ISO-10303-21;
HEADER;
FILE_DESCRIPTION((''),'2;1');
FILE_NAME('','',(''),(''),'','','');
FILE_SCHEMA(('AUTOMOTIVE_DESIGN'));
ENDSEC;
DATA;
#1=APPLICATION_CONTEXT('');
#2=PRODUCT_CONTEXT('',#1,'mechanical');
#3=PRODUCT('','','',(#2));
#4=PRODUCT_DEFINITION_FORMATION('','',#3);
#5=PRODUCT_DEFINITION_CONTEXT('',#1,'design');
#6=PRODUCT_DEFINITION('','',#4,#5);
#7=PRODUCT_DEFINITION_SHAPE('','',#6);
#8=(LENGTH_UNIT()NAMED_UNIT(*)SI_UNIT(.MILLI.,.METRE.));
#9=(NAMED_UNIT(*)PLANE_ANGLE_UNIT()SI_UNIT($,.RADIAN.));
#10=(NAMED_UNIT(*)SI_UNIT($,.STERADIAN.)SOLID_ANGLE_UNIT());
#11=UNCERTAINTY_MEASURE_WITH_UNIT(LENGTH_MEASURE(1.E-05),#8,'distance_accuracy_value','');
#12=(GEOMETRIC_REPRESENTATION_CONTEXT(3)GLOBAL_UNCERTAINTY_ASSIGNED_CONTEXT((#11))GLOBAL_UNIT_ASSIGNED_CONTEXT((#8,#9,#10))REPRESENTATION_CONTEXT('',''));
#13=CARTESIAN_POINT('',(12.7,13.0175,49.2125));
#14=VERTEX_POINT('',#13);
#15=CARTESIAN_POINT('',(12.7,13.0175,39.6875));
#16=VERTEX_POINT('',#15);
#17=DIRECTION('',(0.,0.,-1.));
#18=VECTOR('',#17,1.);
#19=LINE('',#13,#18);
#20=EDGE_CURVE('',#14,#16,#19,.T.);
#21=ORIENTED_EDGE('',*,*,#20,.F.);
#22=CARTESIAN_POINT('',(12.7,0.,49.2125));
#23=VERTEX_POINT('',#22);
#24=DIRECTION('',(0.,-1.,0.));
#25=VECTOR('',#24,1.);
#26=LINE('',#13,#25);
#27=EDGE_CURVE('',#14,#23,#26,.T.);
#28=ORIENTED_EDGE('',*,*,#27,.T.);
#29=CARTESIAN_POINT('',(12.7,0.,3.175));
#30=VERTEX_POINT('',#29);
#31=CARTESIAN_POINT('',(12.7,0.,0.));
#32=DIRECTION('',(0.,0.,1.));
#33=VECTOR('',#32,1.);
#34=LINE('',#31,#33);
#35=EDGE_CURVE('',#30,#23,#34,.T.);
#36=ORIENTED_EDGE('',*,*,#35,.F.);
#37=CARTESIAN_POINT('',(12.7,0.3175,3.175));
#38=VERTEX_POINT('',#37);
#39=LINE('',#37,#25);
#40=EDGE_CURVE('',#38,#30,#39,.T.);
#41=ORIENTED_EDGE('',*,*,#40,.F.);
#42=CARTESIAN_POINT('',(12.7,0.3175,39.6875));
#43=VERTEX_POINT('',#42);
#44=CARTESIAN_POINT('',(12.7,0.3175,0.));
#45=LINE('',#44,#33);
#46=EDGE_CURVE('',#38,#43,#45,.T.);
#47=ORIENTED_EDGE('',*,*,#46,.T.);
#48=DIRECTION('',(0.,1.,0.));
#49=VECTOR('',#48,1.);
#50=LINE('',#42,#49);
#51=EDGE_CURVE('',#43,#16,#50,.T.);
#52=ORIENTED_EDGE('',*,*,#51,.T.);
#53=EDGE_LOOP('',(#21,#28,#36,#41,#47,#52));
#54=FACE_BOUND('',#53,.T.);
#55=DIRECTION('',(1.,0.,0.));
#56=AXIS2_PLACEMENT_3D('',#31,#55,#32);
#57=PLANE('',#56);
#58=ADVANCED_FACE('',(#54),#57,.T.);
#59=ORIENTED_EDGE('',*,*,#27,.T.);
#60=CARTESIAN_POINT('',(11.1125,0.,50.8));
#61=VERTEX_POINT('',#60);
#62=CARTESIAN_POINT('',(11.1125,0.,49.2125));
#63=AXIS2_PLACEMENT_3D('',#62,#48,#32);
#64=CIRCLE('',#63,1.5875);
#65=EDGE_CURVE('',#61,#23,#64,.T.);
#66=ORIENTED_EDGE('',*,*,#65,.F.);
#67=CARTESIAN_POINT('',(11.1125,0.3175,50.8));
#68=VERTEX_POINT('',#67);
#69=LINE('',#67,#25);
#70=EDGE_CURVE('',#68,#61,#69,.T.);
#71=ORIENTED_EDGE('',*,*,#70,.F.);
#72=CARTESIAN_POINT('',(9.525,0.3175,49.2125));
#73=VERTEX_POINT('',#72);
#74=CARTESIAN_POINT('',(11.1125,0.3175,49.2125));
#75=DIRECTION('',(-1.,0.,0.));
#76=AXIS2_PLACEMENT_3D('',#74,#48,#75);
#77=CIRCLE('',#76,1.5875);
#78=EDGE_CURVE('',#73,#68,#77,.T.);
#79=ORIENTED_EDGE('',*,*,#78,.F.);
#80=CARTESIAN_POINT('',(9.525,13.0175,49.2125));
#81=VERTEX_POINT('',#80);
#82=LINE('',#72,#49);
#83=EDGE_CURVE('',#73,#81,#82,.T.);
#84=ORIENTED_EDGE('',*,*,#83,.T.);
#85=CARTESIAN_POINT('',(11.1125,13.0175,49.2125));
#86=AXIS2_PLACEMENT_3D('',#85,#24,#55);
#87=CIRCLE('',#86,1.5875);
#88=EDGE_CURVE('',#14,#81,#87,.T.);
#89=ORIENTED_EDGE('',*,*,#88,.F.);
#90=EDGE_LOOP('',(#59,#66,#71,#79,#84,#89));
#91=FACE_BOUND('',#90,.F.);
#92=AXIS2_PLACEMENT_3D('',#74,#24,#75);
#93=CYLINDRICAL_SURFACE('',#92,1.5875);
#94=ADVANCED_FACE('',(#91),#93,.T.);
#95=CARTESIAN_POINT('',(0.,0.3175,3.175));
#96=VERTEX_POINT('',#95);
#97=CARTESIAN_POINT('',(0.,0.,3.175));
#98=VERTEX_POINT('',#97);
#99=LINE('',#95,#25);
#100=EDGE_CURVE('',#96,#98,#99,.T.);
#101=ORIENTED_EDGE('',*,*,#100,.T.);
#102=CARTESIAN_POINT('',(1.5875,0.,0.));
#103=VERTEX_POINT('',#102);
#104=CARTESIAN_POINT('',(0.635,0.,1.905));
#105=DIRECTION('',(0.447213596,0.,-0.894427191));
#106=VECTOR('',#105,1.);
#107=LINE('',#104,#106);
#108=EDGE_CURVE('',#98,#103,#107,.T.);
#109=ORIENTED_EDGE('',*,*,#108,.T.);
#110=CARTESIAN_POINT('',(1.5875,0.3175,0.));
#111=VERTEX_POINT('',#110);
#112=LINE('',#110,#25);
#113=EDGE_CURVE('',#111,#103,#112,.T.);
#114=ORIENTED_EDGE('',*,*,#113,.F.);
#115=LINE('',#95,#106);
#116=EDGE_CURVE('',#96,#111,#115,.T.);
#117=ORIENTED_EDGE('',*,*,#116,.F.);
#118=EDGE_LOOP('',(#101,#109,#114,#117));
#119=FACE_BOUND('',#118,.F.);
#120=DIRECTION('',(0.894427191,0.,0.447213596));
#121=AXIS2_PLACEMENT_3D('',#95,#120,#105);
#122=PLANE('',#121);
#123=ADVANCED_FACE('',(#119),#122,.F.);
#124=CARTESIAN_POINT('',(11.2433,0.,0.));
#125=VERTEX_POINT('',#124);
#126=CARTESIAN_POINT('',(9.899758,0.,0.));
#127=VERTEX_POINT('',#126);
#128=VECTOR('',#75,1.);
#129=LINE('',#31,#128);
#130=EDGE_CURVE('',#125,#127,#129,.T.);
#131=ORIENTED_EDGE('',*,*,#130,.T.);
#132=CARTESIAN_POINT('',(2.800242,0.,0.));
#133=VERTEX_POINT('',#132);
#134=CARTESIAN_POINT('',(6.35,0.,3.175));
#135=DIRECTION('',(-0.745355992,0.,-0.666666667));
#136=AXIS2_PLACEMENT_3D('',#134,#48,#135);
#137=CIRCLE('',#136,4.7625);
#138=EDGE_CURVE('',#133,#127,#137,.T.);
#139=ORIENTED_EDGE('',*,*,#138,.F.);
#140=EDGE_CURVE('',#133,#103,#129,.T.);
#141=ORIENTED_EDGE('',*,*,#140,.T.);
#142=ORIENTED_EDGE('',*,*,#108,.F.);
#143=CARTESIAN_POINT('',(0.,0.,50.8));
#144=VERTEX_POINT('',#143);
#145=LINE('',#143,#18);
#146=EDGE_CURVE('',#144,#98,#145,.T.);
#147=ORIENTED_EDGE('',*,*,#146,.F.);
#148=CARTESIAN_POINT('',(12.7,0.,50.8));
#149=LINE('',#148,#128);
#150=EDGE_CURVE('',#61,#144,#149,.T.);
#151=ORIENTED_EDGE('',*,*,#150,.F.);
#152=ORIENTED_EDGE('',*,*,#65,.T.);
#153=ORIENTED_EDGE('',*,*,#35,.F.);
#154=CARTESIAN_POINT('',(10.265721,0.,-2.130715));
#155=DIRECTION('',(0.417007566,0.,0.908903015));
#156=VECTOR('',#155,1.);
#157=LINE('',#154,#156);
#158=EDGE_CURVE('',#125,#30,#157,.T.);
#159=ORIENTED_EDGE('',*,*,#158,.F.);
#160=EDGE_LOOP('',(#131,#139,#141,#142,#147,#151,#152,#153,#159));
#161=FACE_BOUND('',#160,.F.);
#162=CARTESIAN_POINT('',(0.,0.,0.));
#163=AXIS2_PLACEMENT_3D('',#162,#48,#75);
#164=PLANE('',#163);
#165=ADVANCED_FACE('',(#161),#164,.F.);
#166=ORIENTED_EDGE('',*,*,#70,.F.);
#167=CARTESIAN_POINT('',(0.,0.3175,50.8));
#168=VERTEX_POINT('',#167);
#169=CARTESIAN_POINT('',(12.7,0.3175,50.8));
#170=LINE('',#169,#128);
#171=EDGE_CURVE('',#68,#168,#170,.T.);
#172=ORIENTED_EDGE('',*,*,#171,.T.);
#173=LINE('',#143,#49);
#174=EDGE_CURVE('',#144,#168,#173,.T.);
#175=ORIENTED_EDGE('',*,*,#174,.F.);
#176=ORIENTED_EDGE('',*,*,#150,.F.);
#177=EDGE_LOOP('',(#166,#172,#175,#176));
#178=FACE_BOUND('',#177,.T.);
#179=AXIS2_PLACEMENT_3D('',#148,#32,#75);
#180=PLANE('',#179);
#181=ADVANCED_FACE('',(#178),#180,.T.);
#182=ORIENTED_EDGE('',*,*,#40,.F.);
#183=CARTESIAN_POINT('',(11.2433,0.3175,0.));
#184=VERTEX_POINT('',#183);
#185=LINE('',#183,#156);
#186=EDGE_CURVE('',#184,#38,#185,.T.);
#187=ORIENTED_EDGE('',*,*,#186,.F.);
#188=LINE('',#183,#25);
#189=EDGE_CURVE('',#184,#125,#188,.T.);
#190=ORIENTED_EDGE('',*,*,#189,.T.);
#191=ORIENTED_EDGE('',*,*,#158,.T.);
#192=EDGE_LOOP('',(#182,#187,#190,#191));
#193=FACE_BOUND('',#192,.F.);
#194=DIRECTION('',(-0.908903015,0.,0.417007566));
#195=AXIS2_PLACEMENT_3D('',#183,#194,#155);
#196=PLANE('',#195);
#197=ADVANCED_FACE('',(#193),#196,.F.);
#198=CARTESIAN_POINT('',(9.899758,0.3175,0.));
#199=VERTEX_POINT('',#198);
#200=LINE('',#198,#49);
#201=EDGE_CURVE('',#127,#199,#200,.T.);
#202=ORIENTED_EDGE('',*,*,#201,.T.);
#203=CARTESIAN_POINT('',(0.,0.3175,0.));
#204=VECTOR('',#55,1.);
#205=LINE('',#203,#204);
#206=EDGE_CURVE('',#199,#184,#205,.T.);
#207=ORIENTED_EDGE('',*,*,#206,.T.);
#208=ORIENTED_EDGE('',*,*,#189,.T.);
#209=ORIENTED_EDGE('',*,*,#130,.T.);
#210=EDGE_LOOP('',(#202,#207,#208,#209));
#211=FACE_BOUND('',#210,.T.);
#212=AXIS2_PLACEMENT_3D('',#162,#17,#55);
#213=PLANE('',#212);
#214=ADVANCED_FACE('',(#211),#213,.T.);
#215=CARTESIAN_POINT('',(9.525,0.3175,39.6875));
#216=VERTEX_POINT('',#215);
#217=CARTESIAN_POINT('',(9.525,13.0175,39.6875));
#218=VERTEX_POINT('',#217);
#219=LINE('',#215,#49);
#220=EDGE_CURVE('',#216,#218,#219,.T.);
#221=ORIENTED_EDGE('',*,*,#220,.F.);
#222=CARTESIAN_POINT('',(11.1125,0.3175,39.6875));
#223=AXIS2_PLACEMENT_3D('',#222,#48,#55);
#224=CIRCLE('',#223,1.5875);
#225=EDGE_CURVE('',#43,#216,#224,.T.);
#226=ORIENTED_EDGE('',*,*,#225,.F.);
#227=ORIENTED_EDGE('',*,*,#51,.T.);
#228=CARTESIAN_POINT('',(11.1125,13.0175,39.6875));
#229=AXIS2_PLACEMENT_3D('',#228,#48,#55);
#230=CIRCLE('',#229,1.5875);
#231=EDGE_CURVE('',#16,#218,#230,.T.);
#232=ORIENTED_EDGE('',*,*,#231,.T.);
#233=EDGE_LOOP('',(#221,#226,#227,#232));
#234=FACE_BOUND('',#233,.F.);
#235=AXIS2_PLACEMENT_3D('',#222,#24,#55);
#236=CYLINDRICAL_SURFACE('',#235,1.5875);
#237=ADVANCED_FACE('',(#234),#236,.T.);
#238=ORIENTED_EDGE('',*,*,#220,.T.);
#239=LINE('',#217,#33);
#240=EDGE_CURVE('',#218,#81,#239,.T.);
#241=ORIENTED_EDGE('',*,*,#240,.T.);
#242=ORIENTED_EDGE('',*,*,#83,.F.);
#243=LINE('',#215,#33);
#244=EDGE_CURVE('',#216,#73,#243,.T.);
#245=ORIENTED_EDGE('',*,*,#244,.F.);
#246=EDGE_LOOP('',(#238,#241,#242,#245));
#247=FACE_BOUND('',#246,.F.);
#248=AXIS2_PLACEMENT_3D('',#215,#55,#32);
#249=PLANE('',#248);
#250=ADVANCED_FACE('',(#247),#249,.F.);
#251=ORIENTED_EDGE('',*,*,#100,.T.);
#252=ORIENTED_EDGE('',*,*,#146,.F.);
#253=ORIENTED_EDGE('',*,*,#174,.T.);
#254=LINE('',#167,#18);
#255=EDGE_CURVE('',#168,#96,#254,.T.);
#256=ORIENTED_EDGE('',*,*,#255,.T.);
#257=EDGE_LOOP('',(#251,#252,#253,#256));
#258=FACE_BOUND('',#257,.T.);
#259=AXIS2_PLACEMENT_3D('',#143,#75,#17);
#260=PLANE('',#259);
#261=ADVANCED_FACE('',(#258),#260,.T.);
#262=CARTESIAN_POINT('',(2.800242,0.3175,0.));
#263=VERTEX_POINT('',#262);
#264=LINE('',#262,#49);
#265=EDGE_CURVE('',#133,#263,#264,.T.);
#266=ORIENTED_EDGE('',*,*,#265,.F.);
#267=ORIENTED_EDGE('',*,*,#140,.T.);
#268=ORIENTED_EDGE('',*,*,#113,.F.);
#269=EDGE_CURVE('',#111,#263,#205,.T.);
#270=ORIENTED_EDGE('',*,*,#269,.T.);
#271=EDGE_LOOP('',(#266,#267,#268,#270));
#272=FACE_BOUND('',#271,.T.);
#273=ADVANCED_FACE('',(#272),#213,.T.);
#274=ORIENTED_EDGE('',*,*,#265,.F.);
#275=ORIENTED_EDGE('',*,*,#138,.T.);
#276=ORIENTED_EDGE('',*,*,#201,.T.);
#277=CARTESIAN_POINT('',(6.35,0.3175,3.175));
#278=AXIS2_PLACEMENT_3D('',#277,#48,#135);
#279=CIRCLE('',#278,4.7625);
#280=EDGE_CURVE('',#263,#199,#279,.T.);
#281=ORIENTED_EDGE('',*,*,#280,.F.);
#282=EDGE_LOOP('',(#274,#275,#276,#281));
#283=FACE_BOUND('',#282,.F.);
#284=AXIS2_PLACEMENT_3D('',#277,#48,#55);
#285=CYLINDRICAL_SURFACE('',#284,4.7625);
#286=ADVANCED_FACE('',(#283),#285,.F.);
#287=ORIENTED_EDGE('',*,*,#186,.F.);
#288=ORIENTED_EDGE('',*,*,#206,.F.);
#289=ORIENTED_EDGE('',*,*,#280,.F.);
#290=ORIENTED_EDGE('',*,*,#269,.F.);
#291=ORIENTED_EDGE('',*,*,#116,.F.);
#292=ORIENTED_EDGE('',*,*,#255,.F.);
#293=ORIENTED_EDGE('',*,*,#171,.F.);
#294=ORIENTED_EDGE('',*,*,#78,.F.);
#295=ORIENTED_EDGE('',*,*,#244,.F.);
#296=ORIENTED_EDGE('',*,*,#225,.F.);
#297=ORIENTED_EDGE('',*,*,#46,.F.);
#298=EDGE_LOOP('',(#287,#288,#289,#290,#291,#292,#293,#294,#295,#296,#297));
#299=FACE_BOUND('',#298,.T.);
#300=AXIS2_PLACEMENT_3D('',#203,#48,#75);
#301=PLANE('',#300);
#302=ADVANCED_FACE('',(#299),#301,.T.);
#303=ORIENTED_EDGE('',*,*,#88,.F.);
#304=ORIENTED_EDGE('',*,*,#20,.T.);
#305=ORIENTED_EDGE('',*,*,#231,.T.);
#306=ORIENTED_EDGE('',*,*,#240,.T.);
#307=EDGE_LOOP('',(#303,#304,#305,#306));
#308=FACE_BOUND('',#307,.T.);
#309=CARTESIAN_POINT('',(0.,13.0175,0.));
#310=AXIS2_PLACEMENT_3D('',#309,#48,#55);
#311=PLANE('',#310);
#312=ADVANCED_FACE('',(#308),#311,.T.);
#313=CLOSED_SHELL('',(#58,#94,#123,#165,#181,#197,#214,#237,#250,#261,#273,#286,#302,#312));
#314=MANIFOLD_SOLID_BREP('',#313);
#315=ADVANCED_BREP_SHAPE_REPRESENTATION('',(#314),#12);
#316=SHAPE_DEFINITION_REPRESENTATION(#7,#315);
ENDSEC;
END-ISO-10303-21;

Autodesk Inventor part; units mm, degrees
ref_plane "YZ Plane" through (0, 0, 0) normal (1, 0, 0) x (0, 1, 0)
ref_plane "XZ Plane" through (0, 0, 0) normal (0, 1, 0) x (-1, 0, 0)
ref_plane "XY Plane" through (0, 0, 0) normal (0, 0, 1) x (1, 0, 0)
sketch "Sketch1" plane through (0, 0, 0) normal (0, 1, 0) x (-1, 0, 0)
  line L0 (0, 0) -> (-12.7, 0)
  line L1 (-12.7, 0) -> (-12.7, 50.8)
  line L2 (-12.7, 50.8) -> (0, 50.8)
  line L3 (0, 50.8) -> (0, 0)
  circle A0 centre (-6.35, 3.175) radius 4.7625
  point P0 (-1.5875, 0)
  point P1 (-11.1125, 0)
  dimension "d1" = 12.7
  dimension "d4" = 50.8
  dimension "d11" = 9.525
  dimension "d12" = 3.175
  dimension "d13" = 6.35
extrude "Extrusion1" add sketch "Sketch1" along normal blind 0.3175 contours L0 A0 L1 L2 L3 | L0 A0 picked at (-5.1617, 2.7426)
sketch "Sketch2" plane through (0, 0.3175, 0) normal (0, 1, 0) x (1, 0, 0)
  line L0 (11.1125, -49.2125) -> (11.1125, -39.6875) construction
  line L1 (12.7, -49.2125) -> (12.7, -39.6875)
  line L2 (9.525, -39.6875) -> (9.525, -49.2125)
  arc A0 (9.525, -49.2125) -> (12.7, -49.2125) centre (11.1125, -49.2125) ccw
  arc A1 (12.7, -39.6875) -> (9.525, -39.6875) centre (11.1125, -39.6875) ccw
  line L3 (0, -50.8) -> (12.7, -50.8) projected
  point P0 (0, 0)
  point P1 (11.1125, -44.45)
  dimension "d23" = 1.5875
  dimension "d24" = 1.5875
  dimension "d25" = 9.525
extrude "Extrusion2" add sketch "Sketch2" along normal blind 12.7
sketch "Sketch3" plane through (0, 0.3175, 0) normal (0, 1, 0) x (1, 0, 0)
  line L0 (12.7, -50.8) -> (0, -50.8) projected
  line L1 (12.7, 0) -> (12.7, -50.8) projected
  line L2 (11.1125, -50.8) -> (12.7, -50.8)
  line L3 (12.7, -50.8) -> (12.7, -49.2125)
  arc A0 (11.1125, -50.8) -> (12.7, -49.2125) centre (11.1125, -49.2125) ccw
  point P0 (0, 0)
extrude "Extrusion3" cut sketch "Sketch3" against normal blind 12.7
sketch "Sketch4" plane through (0, 0.3175, 0) normal (0, 1, 0) x (1, 0, 0)
  circle A0 centre (6.35, -3.175) radius 4.7625
  line L0 (12.7, -39.6875) -> (12.7, 0) projected
  line L1 (12.7, 0) -> (0, 0) projected
  dimension "d14" = 9.525
  dimension "d15" = 6.35
  dimension "d16" = 3.175
extrude "Extrusion4" cut sketch "Sketch4" against normal blind 12.7
sketch "Sketch5" plane through (0, 0.3175, 0) normal (0, 1, 0) x (1, 0, 0)
  line L0 (0, -3.175) -> (1.5875, 0)
  line L1 (2.8002, 0) -> (0, 0) projected
  line L2 (0, -50.8) -> (0, 0) projected
  line L3 (0, -3.175) -> (0, 0)
  line L4 (0, 0) -> (1.5875, 0)
extrude "Extrusion5" cut sketch "Sketch5" against normal blind 12.7
sketch "Sketch6" plane through (0, 0.3175, 0) normal (0, 1, 0) x (1, 0, 0)
  line L0 (11.2433, 0) -> (12.7, -3.175)
  line L1 (12.7, -39.6875) -> (12.7, 0) projected
  line L2 (12.7, -3.175) -> (12.7, 0)
  line L3 (12.7, 0) -> (11.2433, 0)
  line L4 (12.7, 0) -> (9.8998, 0) projected
  point P0 (0, 0)
extrude "Extrusion6" cut sketch "Sketch6" against normal blind 12.7
properties part number "piston locking tool"
